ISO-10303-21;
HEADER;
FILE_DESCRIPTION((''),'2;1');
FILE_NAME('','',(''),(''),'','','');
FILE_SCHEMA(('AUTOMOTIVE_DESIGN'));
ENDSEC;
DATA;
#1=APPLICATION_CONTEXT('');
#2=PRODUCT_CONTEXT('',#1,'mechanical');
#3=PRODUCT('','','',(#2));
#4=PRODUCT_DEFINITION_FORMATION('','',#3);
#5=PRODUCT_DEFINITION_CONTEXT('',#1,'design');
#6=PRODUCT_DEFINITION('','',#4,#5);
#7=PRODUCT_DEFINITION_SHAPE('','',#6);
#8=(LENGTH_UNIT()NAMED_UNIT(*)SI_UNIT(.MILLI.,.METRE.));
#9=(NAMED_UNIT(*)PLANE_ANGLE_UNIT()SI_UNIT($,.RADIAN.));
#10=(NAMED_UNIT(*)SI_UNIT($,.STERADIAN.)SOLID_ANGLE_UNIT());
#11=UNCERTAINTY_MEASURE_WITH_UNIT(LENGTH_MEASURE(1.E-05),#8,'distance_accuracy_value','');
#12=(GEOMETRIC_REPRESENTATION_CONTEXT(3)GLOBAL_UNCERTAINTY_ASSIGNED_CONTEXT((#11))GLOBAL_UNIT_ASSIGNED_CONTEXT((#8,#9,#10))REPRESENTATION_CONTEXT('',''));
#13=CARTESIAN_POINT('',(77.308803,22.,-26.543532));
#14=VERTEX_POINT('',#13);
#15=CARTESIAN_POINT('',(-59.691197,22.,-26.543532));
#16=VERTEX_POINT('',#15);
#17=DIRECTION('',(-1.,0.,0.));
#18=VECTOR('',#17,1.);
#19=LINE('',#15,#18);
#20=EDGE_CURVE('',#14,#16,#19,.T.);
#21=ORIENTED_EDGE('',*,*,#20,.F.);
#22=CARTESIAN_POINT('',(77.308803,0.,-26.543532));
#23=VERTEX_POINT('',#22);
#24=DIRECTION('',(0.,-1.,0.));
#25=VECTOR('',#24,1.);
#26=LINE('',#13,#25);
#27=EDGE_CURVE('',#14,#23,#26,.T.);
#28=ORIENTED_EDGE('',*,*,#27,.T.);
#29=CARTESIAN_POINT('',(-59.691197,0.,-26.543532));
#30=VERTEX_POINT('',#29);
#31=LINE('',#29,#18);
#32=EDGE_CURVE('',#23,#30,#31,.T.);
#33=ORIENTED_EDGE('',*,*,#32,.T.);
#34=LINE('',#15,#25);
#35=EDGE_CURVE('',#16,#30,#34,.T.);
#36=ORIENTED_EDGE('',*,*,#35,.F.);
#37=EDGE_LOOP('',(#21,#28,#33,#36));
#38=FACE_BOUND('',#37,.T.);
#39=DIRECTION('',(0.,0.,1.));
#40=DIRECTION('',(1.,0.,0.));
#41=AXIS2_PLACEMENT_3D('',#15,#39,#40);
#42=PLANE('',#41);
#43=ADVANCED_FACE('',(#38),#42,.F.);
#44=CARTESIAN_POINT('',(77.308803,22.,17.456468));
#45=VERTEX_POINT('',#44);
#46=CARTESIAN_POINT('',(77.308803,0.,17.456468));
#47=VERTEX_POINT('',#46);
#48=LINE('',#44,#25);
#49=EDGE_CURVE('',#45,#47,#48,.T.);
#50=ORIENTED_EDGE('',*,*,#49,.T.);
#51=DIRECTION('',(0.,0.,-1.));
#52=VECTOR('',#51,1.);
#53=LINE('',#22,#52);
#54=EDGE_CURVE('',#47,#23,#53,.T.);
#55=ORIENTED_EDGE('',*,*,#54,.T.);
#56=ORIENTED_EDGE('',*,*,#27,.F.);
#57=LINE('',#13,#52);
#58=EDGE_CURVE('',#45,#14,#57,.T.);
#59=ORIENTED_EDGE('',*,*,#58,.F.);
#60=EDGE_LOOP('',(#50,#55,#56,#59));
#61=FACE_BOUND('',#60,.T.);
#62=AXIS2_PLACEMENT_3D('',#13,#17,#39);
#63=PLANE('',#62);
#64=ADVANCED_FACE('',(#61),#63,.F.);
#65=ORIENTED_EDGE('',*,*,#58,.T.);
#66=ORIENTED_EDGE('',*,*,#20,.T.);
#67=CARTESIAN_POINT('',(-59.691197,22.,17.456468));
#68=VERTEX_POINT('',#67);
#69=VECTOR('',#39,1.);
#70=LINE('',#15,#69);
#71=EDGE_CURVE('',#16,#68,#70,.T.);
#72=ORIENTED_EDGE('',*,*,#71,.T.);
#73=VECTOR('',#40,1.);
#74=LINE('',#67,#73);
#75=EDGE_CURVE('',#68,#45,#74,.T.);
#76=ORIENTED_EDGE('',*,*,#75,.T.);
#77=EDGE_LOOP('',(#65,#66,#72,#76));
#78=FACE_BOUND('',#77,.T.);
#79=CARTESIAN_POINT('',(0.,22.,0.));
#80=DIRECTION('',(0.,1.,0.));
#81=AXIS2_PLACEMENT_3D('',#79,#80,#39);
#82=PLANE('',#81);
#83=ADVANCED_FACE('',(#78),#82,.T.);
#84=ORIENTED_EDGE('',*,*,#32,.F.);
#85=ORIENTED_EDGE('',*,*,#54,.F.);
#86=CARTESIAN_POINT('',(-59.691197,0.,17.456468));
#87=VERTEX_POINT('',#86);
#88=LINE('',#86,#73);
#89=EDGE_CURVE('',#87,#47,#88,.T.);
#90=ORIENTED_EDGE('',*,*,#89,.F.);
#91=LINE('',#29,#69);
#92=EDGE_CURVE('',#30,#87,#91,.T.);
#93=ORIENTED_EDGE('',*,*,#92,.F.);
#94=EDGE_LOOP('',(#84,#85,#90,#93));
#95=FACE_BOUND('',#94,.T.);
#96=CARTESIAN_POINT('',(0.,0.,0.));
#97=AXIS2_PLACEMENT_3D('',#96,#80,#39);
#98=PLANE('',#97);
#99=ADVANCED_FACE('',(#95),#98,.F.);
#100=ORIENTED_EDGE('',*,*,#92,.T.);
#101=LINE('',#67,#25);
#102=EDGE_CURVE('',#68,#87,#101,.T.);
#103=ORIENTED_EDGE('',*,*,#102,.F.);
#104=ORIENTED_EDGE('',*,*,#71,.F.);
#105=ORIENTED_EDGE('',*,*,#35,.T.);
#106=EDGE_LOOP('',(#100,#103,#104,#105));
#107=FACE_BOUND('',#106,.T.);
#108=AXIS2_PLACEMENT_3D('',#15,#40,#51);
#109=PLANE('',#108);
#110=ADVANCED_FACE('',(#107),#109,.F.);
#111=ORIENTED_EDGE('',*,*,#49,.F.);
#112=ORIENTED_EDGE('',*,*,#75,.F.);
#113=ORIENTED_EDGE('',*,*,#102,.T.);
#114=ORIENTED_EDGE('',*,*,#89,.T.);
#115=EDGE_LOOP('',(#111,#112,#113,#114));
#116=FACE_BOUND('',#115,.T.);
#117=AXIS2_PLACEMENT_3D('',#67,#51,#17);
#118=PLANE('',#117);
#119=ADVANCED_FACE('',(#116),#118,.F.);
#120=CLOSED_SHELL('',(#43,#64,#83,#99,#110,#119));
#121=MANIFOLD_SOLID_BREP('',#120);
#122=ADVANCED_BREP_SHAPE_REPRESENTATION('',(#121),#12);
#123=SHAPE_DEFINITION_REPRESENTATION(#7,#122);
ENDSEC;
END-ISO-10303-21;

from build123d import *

# Parameters (mm, degrees)
SCHIZZO1_W                   = 137
SCHIZZO1_H                   = 44
ESTRUSIONE_ESTRUSIONE1_DEPTH = 22


with BuildPart() as part:
    # Schizzo1 → Estrusione-Estrusione1 (new body)
    with BuildSketch(Plane(origin=(0, 0, 0), x_dir=(1, 0, 0), z_dir=(0, 1, 0))):
        with Locations((8.808802984, 4.54353229)):
            Rectangle(SCHIZZO1_W, SCHIZZO1_H)
    extrude(amount=ESTRUSIONE_ESTRUSIONE1_DEPTH)


solid = part.part
